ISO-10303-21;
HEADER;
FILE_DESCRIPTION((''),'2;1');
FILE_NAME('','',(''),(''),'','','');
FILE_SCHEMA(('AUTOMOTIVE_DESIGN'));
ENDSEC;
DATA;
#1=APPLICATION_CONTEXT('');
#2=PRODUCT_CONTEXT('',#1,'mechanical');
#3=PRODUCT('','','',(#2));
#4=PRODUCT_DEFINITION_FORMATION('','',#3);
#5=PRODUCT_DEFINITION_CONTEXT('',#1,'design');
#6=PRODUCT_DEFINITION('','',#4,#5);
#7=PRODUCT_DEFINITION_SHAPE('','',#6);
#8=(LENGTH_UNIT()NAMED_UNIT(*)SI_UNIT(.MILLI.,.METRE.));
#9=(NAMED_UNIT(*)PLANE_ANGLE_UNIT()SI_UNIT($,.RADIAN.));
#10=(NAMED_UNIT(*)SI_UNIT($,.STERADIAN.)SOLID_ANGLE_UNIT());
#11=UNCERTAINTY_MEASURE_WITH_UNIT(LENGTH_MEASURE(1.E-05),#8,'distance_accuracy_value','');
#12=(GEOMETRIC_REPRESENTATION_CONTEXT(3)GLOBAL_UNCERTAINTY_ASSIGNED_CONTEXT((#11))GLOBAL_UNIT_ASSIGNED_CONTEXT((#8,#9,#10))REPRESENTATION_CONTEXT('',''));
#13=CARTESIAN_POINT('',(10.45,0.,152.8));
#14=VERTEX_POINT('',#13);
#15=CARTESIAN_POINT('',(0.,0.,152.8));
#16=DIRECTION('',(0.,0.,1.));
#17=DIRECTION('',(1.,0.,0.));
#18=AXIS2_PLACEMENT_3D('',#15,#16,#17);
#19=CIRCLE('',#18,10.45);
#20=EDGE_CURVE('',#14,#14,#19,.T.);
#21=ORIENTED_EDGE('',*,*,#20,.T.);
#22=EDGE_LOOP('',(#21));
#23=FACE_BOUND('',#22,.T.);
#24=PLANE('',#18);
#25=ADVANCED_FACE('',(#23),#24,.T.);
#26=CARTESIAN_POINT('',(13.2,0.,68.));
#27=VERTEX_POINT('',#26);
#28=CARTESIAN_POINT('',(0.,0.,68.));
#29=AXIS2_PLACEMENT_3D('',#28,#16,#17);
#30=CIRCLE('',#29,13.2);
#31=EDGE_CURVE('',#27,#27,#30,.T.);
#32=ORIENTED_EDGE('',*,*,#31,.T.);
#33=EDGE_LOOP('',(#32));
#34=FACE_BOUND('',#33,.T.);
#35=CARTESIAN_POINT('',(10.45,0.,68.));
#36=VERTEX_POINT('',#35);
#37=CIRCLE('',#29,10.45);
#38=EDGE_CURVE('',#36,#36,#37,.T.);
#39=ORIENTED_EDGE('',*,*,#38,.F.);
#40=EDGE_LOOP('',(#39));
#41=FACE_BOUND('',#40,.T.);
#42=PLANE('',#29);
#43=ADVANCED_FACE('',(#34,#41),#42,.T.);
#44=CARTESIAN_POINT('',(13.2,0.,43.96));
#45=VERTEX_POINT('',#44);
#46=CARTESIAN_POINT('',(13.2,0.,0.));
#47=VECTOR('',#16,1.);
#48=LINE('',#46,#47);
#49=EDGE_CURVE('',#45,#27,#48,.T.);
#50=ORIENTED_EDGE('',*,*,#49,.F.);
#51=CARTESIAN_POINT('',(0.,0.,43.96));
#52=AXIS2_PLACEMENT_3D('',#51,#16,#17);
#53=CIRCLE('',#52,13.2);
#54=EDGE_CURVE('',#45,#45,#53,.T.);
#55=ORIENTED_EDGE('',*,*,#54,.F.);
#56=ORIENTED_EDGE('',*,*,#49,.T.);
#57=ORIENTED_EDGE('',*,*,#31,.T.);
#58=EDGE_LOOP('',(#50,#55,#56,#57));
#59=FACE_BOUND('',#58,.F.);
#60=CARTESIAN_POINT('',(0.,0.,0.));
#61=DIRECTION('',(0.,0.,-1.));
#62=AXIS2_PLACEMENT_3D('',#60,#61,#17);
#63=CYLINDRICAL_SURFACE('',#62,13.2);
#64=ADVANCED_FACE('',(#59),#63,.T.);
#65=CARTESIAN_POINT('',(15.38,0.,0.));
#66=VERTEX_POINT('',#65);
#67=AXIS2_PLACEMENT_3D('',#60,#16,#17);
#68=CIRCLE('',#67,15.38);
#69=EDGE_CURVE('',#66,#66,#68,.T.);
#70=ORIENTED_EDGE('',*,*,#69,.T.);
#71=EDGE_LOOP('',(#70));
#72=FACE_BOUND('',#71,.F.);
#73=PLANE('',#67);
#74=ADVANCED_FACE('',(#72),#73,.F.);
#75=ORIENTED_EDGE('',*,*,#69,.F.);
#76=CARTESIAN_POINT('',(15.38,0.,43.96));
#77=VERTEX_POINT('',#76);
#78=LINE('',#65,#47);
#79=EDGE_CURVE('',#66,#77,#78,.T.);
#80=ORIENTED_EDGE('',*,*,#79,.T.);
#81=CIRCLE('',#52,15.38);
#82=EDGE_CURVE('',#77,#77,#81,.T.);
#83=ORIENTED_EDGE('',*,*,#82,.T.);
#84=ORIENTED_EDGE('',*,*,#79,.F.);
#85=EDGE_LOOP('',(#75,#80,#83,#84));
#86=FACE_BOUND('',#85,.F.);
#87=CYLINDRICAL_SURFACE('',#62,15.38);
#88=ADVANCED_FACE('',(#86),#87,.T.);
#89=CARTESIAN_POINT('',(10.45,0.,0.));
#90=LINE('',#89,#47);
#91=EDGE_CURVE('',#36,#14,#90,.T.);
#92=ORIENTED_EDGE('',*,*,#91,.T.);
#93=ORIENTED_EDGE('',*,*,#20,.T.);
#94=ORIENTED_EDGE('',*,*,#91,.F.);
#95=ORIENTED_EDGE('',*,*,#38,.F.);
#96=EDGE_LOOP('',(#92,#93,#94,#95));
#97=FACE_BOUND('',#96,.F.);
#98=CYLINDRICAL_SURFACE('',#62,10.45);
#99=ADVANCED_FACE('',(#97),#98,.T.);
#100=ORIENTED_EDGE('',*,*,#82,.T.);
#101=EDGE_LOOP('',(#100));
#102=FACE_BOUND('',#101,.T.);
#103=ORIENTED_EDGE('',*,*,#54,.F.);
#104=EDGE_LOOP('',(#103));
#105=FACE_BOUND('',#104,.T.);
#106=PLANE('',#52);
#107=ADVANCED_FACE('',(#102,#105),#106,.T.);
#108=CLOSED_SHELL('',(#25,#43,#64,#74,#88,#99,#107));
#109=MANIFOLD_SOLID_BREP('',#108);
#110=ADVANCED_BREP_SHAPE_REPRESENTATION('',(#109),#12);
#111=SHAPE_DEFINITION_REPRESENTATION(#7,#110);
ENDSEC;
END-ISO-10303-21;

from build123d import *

# Parameters (mm, degrees)
F0_R     = 15.38
F0_R_2   = 13.2
F1_DEPTH = 43.96
F0_R_3   = 10.45
F3_DEPTH = 68
F2_DEPTH = 152.8


with BuildPart() as f1:
    # F0 (on Top) → F1 (new body)
    with BuildSketch(Plane.XY):
        Circle(F0_R)
        Circle(F0_R_2, mode=Mode.SUBTRACT)
    extrude(amount=F1_DEPTH)

    # F0 (on Top) → F3 (join)
    with BuildSketch(Plane.XY):
        Circle(F0_R_2)
        Circle(F0_R_3, mode=Mode.SUBTRACT)
    extrude(amount=F3_DEPTH)

    # F0 (on Top) → F2 (join)
    with BuildSketch(Plane.XY):
        Circle(F0_R_3)
    extrude(amount=F2_DEPTH)


solid = f1.part
